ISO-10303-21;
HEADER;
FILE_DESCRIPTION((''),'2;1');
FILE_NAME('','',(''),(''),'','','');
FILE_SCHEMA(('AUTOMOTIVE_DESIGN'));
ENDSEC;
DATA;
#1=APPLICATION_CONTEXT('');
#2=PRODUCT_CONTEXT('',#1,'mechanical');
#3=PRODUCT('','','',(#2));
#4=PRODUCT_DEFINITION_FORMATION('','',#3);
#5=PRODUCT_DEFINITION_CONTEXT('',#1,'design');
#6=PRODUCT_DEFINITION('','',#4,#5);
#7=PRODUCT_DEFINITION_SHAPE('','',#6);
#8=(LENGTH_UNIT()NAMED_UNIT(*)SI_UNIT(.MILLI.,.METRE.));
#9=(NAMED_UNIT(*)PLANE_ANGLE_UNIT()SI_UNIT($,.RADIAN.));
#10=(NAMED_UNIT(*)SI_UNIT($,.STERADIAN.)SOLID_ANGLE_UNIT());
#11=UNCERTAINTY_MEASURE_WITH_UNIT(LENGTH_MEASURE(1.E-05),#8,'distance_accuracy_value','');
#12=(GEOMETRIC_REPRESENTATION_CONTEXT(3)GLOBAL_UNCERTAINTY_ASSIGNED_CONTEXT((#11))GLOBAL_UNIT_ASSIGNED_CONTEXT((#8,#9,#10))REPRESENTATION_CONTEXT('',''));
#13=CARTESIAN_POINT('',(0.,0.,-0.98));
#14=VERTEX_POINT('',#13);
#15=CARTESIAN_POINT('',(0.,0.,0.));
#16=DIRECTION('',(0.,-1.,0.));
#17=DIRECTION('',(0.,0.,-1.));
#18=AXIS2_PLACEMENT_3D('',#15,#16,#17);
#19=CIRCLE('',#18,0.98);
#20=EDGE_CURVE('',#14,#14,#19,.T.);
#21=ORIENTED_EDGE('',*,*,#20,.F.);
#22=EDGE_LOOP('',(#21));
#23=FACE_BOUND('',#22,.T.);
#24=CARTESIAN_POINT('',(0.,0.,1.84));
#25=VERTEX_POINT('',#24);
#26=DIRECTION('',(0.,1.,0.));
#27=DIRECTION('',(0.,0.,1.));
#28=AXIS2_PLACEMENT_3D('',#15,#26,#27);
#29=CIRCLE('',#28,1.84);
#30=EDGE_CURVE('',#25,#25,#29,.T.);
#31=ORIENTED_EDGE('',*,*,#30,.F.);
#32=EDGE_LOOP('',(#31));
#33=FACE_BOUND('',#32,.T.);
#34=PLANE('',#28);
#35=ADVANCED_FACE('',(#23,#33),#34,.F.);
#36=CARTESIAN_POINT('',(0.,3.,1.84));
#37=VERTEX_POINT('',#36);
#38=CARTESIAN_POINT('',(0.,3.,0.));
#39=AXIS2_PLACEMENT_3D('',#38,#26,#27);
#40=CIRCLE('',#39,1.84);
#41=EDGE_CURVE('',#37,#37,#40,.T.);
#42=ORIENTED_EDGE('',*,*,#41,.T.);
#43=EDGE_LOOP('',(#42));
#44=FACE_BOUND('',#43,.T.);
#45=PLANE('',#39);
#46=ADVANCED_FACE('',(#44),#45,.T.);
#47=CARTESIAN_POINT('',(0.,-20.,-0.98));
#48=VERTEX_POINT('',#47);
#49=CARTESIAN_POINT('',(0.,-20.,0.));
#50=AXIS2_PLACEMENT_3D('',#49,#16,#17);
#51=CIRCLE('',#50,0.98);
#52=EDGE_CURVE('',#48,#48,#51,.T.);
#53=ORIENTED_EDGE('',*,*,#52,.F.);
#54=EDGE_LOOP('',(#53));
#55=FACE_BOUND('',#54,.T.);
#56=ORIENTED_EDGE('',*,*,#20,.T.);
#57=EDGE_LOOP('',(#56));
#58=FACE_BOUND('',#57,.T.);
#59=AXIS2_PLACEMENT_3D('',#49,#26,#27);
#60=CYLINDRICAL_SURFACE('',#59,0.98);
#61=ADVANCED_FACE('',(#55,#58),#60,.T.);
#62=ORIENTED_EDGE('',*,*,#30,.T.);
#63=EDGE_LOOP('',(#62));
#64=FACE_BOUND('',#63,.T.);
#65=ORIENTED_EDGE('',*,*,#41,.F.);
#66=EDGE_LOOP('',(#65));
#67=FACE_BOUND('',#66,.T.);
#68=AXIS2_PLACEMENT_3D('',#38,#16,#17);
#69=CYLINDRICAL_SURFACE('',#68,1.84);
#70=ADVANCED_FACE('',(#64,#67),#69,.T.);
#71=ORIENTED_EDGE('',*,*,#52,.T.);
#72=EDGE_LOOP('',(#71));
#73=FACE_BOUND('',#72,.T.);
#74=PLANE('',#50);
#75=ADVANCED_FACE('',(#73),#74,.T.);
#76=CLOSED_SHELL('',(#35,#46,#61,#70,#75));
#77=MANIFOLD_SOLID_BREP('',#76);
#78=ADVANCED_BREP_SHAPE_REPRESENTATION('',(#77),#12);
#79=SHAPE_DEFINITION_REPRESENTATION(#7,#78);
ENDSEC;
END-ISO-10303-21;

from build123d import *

# Parameters (mm, degrees)
SKETCH1_R           = 1.84
BOSS_EXTRUDE1_DEPTH = 3
SKETCH2_R           = 0.98
BOSS_EXTRUDE2_DEPTH = 20


with BuildPart() as part:
    # Sketch1 → Boss-Extrude1 (new body)
    with BuildSketch(Plane(origin=(0, 0, 0), x_dir=(1, 0, 0), z_dir=(0, 1, 0))):
        Circle(SKETCH1_R)
    extrude(amount=BOSS_EXTRUDE1_DEPTH)

    # Sketch2 → Boss-Extrude2 (add)
    with BuildSketch(Plane.XZ):
        Circle(SKETCH2_R)
    extrude(amount=BOSS_EXTRUDE2_DEPTH)


solid = part.part
